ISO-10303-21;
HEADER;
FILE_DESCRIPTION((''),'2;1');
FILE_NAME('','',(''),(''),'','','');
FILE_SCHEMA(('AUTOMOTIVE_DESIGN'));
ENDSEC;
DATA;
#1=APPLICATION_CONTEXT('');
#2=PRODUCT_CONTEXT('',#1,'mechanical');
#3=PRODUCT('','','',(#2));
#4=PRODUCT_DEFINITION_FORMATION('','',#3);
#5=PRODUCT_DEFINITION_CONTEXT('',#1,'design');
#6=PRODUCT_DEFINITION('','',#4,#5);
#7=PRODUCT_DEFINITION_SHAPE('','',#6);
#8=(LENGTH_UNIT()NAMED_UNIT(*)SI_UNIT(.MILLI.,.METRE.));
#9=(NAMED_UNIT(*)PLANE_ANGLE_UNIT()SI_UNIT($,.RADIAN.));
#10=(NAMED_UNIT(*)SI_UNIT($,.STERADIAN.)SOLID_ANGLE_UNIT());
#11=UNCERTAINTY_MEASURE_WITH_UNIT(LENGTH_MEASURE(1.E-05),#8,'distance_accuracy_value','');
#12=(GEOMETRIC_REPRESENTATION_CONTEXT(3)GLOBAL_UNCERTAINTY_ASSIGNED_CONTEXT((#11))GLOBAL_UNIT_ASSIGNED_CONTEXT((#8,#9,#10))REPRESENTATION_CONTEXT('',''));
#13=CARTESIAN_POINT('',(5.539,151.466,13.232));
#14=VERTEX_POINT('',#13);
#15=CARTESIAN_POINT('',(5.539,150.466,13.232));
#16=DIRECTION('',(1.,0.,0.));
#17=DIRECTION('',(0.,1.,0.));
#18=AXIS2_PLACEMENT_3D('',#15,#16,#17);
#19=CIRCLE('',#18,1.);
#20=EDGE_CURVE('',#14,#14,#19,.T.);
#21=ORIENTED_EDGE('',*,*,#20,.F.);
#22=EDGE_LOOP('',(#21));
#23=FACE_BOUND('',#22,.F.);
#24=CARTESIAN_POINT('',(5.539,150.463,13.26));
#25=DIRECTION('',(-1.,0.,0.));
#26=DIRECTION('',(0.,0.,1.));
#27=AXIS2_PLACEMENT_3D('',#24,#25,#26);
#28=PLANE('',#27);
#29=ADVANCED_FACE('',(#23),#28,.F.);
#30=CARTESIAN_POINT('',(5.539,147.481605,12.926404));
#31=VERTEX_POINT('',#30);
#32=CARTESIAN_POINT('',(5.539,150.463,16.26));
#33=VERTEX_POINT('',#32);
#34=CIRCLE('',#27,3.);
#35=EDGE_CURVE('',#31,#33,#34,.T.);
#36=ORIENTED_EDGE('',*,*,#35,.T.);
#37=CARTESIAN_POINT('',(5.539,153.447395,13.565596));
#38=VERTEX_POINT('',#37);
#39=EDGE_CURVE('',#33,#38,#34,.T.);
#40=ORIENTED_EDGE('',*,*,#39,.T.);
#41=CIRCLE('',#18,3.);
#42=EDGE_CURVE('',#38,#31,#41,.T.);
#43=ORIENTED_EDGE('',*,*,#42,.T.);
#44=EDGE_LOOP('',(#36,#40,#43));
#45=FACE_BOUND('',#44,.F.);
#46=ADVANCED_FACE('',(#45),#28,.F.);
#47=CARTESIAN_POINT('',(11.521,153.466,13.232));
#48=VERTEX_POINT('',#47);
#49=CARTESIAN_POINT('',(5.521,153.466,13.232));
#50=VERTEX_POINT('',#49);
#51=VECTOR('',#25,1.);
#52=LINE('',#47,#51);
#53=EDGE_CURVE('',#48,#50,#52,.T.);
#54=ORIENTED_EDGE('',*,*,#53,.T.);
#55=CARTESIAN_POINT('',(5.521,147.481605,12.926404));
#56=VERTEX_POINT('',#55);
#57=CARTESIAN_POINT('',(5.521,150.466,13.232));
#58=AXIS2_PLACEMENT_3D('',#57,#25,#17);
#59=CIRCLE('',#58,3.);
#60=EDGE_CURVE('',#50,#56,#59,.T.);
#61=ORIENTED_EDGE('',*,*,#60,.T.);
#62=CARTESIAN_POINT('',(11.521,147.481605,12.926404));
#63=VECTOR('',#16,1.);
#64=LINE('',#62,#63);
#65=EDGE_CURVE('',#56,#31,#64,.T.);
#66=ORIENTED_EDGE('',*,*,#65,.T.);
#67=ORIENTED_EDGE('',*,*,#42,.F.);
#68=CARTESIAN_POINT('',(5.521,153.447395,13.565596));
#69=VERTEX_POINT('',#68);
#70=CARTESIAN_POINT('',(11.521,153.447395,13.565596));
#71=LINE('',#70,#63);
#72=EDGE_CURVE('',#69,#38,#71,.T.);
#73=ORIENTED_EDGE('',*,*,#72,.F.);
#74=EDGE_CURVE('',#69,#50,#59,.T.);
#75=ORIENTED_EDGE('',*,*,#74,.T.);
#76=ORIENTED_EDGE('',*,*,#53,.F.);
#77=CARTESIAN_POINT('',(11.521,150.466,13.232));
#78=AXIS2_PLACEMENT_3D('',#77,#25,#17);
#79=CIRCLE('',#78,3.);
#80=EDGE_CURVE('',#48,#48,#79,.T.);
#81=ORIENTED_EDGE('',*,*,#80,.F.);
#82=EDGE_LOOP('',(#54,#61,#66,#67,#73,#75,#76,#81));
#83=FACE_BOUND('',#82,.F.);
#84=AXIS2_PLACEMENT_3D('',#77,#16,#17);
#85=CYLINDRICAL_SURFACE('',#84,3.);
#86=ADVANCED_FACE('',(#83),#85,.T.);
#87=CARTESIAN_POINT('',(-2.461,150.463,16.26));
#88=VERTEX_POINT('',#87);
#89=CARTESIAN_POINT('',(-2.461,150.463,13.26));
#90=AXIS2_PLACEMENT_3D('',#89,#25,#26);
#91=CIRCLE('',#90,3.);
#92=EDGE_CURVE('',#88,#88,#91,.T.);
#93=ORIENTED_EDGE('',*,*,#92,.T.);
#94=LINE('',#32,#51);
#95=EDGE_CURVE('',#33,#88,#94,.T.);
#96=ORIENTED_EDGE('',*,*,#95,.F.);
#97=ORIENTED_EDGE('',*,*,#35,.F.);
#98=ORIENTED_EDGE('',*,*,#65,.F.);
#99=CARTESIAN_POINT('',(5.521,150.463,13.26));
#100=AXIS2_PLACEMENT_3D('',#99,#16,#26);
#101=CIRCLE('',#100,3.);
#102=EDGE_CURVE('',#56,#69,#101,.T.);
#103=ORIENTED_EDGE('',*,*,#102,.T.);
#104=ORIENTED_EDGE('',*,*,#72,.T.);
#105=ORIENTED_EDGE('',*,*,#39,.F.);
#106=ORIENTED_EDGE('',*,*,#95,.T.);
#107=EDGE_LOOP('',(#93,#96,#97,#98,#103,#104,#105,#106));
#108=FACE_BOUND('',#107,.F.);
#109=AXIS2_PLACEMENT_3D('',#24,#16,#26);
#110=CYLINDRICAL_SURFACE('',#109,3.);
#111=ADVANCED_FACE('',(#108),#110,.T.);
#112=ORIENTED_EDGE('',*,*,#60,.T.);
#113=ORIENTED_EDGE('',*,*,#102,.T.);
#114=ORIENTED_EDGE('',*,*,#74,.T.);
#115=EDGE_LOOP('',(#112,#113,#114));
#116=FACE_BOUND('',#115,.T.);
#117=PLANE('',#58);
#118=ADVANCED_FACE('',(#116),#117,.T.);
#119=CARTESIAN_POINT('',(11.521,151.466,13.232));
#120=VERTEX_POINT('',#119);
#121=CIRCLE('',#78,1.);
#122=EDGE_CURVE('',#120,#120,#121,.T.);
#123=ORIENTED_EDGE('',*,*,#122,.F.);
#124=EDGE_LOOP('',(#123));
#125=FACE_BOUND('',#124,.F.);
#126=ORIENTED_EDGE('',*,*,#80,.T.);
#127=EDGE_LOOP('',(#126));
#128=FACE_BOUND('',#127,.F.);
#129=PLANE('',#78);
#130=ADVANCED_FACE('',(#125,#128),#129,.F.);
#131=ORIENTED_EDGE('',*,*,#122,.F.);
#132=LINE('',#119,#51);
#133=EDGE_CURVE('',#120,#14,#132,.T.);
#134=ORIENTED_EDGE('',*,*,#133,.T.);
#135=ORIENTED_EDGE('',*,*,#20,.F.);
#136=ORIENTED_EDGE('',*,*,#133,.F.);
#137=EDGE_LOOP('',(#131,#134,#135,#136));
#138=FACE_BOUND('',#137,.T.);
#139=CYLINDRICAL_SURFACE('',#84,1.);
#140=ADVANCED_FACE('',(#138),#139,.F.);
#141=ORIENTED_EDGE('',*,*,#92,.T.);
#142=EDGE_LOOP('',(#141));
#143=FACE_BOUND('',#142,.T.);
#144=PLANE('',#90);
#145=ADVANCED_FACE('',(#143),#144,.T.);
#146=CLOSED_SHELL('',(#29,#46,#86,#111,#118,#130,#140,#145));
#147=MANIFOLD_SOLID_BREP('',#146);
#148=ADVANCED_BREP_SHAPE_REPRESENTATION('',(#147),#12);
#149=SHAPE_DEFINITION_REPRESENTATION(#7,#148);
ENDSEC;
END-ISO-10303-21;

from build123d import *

# Parameters (mm, degrees)
CYLINDER022_R     = 3
CYLINDER022_DEPTH = 8
TUBE001_R         = 3
TUBE001_R_2       = 1
TUBE001_DEPTH     = 6


with BuildPart() as cylinder022:
    # Cylinder022 → Cylinder022 (new body)
    with BuildSketch(Plane(origin=(28.57, 150.463, 13.35), x_dir=(0, 0, 1), z_dir=(-1, 0, 0))):
        Circle(CYLINDER022_R)
    extrude(amount=CYLINDER022_DEPTH)


with BuildPart() as fusion001:
    # Tube001 → Tube001 (new body)
    with BuildSketch(Plane(origin=(34.552, 150.466, 13.322), x_dir=(0, 1, 0), z_dir=(-1, 0, 0))):
        Circle(TUBE001_R)
        Circle(TUBE001_R_2, mode=Mode.SUBTRACT)
    extrude(amount=TUBE001_DEPTH)

    # Fusion001: union Cylinder022
    add(cylinder022.part)


with BuildPart() as fusion001_1:
    # Fusion001 placement: moved
    add(fusion001.part.moved(Location((-23.031, 0, -0.09))))


solid = fusion001_1.part
